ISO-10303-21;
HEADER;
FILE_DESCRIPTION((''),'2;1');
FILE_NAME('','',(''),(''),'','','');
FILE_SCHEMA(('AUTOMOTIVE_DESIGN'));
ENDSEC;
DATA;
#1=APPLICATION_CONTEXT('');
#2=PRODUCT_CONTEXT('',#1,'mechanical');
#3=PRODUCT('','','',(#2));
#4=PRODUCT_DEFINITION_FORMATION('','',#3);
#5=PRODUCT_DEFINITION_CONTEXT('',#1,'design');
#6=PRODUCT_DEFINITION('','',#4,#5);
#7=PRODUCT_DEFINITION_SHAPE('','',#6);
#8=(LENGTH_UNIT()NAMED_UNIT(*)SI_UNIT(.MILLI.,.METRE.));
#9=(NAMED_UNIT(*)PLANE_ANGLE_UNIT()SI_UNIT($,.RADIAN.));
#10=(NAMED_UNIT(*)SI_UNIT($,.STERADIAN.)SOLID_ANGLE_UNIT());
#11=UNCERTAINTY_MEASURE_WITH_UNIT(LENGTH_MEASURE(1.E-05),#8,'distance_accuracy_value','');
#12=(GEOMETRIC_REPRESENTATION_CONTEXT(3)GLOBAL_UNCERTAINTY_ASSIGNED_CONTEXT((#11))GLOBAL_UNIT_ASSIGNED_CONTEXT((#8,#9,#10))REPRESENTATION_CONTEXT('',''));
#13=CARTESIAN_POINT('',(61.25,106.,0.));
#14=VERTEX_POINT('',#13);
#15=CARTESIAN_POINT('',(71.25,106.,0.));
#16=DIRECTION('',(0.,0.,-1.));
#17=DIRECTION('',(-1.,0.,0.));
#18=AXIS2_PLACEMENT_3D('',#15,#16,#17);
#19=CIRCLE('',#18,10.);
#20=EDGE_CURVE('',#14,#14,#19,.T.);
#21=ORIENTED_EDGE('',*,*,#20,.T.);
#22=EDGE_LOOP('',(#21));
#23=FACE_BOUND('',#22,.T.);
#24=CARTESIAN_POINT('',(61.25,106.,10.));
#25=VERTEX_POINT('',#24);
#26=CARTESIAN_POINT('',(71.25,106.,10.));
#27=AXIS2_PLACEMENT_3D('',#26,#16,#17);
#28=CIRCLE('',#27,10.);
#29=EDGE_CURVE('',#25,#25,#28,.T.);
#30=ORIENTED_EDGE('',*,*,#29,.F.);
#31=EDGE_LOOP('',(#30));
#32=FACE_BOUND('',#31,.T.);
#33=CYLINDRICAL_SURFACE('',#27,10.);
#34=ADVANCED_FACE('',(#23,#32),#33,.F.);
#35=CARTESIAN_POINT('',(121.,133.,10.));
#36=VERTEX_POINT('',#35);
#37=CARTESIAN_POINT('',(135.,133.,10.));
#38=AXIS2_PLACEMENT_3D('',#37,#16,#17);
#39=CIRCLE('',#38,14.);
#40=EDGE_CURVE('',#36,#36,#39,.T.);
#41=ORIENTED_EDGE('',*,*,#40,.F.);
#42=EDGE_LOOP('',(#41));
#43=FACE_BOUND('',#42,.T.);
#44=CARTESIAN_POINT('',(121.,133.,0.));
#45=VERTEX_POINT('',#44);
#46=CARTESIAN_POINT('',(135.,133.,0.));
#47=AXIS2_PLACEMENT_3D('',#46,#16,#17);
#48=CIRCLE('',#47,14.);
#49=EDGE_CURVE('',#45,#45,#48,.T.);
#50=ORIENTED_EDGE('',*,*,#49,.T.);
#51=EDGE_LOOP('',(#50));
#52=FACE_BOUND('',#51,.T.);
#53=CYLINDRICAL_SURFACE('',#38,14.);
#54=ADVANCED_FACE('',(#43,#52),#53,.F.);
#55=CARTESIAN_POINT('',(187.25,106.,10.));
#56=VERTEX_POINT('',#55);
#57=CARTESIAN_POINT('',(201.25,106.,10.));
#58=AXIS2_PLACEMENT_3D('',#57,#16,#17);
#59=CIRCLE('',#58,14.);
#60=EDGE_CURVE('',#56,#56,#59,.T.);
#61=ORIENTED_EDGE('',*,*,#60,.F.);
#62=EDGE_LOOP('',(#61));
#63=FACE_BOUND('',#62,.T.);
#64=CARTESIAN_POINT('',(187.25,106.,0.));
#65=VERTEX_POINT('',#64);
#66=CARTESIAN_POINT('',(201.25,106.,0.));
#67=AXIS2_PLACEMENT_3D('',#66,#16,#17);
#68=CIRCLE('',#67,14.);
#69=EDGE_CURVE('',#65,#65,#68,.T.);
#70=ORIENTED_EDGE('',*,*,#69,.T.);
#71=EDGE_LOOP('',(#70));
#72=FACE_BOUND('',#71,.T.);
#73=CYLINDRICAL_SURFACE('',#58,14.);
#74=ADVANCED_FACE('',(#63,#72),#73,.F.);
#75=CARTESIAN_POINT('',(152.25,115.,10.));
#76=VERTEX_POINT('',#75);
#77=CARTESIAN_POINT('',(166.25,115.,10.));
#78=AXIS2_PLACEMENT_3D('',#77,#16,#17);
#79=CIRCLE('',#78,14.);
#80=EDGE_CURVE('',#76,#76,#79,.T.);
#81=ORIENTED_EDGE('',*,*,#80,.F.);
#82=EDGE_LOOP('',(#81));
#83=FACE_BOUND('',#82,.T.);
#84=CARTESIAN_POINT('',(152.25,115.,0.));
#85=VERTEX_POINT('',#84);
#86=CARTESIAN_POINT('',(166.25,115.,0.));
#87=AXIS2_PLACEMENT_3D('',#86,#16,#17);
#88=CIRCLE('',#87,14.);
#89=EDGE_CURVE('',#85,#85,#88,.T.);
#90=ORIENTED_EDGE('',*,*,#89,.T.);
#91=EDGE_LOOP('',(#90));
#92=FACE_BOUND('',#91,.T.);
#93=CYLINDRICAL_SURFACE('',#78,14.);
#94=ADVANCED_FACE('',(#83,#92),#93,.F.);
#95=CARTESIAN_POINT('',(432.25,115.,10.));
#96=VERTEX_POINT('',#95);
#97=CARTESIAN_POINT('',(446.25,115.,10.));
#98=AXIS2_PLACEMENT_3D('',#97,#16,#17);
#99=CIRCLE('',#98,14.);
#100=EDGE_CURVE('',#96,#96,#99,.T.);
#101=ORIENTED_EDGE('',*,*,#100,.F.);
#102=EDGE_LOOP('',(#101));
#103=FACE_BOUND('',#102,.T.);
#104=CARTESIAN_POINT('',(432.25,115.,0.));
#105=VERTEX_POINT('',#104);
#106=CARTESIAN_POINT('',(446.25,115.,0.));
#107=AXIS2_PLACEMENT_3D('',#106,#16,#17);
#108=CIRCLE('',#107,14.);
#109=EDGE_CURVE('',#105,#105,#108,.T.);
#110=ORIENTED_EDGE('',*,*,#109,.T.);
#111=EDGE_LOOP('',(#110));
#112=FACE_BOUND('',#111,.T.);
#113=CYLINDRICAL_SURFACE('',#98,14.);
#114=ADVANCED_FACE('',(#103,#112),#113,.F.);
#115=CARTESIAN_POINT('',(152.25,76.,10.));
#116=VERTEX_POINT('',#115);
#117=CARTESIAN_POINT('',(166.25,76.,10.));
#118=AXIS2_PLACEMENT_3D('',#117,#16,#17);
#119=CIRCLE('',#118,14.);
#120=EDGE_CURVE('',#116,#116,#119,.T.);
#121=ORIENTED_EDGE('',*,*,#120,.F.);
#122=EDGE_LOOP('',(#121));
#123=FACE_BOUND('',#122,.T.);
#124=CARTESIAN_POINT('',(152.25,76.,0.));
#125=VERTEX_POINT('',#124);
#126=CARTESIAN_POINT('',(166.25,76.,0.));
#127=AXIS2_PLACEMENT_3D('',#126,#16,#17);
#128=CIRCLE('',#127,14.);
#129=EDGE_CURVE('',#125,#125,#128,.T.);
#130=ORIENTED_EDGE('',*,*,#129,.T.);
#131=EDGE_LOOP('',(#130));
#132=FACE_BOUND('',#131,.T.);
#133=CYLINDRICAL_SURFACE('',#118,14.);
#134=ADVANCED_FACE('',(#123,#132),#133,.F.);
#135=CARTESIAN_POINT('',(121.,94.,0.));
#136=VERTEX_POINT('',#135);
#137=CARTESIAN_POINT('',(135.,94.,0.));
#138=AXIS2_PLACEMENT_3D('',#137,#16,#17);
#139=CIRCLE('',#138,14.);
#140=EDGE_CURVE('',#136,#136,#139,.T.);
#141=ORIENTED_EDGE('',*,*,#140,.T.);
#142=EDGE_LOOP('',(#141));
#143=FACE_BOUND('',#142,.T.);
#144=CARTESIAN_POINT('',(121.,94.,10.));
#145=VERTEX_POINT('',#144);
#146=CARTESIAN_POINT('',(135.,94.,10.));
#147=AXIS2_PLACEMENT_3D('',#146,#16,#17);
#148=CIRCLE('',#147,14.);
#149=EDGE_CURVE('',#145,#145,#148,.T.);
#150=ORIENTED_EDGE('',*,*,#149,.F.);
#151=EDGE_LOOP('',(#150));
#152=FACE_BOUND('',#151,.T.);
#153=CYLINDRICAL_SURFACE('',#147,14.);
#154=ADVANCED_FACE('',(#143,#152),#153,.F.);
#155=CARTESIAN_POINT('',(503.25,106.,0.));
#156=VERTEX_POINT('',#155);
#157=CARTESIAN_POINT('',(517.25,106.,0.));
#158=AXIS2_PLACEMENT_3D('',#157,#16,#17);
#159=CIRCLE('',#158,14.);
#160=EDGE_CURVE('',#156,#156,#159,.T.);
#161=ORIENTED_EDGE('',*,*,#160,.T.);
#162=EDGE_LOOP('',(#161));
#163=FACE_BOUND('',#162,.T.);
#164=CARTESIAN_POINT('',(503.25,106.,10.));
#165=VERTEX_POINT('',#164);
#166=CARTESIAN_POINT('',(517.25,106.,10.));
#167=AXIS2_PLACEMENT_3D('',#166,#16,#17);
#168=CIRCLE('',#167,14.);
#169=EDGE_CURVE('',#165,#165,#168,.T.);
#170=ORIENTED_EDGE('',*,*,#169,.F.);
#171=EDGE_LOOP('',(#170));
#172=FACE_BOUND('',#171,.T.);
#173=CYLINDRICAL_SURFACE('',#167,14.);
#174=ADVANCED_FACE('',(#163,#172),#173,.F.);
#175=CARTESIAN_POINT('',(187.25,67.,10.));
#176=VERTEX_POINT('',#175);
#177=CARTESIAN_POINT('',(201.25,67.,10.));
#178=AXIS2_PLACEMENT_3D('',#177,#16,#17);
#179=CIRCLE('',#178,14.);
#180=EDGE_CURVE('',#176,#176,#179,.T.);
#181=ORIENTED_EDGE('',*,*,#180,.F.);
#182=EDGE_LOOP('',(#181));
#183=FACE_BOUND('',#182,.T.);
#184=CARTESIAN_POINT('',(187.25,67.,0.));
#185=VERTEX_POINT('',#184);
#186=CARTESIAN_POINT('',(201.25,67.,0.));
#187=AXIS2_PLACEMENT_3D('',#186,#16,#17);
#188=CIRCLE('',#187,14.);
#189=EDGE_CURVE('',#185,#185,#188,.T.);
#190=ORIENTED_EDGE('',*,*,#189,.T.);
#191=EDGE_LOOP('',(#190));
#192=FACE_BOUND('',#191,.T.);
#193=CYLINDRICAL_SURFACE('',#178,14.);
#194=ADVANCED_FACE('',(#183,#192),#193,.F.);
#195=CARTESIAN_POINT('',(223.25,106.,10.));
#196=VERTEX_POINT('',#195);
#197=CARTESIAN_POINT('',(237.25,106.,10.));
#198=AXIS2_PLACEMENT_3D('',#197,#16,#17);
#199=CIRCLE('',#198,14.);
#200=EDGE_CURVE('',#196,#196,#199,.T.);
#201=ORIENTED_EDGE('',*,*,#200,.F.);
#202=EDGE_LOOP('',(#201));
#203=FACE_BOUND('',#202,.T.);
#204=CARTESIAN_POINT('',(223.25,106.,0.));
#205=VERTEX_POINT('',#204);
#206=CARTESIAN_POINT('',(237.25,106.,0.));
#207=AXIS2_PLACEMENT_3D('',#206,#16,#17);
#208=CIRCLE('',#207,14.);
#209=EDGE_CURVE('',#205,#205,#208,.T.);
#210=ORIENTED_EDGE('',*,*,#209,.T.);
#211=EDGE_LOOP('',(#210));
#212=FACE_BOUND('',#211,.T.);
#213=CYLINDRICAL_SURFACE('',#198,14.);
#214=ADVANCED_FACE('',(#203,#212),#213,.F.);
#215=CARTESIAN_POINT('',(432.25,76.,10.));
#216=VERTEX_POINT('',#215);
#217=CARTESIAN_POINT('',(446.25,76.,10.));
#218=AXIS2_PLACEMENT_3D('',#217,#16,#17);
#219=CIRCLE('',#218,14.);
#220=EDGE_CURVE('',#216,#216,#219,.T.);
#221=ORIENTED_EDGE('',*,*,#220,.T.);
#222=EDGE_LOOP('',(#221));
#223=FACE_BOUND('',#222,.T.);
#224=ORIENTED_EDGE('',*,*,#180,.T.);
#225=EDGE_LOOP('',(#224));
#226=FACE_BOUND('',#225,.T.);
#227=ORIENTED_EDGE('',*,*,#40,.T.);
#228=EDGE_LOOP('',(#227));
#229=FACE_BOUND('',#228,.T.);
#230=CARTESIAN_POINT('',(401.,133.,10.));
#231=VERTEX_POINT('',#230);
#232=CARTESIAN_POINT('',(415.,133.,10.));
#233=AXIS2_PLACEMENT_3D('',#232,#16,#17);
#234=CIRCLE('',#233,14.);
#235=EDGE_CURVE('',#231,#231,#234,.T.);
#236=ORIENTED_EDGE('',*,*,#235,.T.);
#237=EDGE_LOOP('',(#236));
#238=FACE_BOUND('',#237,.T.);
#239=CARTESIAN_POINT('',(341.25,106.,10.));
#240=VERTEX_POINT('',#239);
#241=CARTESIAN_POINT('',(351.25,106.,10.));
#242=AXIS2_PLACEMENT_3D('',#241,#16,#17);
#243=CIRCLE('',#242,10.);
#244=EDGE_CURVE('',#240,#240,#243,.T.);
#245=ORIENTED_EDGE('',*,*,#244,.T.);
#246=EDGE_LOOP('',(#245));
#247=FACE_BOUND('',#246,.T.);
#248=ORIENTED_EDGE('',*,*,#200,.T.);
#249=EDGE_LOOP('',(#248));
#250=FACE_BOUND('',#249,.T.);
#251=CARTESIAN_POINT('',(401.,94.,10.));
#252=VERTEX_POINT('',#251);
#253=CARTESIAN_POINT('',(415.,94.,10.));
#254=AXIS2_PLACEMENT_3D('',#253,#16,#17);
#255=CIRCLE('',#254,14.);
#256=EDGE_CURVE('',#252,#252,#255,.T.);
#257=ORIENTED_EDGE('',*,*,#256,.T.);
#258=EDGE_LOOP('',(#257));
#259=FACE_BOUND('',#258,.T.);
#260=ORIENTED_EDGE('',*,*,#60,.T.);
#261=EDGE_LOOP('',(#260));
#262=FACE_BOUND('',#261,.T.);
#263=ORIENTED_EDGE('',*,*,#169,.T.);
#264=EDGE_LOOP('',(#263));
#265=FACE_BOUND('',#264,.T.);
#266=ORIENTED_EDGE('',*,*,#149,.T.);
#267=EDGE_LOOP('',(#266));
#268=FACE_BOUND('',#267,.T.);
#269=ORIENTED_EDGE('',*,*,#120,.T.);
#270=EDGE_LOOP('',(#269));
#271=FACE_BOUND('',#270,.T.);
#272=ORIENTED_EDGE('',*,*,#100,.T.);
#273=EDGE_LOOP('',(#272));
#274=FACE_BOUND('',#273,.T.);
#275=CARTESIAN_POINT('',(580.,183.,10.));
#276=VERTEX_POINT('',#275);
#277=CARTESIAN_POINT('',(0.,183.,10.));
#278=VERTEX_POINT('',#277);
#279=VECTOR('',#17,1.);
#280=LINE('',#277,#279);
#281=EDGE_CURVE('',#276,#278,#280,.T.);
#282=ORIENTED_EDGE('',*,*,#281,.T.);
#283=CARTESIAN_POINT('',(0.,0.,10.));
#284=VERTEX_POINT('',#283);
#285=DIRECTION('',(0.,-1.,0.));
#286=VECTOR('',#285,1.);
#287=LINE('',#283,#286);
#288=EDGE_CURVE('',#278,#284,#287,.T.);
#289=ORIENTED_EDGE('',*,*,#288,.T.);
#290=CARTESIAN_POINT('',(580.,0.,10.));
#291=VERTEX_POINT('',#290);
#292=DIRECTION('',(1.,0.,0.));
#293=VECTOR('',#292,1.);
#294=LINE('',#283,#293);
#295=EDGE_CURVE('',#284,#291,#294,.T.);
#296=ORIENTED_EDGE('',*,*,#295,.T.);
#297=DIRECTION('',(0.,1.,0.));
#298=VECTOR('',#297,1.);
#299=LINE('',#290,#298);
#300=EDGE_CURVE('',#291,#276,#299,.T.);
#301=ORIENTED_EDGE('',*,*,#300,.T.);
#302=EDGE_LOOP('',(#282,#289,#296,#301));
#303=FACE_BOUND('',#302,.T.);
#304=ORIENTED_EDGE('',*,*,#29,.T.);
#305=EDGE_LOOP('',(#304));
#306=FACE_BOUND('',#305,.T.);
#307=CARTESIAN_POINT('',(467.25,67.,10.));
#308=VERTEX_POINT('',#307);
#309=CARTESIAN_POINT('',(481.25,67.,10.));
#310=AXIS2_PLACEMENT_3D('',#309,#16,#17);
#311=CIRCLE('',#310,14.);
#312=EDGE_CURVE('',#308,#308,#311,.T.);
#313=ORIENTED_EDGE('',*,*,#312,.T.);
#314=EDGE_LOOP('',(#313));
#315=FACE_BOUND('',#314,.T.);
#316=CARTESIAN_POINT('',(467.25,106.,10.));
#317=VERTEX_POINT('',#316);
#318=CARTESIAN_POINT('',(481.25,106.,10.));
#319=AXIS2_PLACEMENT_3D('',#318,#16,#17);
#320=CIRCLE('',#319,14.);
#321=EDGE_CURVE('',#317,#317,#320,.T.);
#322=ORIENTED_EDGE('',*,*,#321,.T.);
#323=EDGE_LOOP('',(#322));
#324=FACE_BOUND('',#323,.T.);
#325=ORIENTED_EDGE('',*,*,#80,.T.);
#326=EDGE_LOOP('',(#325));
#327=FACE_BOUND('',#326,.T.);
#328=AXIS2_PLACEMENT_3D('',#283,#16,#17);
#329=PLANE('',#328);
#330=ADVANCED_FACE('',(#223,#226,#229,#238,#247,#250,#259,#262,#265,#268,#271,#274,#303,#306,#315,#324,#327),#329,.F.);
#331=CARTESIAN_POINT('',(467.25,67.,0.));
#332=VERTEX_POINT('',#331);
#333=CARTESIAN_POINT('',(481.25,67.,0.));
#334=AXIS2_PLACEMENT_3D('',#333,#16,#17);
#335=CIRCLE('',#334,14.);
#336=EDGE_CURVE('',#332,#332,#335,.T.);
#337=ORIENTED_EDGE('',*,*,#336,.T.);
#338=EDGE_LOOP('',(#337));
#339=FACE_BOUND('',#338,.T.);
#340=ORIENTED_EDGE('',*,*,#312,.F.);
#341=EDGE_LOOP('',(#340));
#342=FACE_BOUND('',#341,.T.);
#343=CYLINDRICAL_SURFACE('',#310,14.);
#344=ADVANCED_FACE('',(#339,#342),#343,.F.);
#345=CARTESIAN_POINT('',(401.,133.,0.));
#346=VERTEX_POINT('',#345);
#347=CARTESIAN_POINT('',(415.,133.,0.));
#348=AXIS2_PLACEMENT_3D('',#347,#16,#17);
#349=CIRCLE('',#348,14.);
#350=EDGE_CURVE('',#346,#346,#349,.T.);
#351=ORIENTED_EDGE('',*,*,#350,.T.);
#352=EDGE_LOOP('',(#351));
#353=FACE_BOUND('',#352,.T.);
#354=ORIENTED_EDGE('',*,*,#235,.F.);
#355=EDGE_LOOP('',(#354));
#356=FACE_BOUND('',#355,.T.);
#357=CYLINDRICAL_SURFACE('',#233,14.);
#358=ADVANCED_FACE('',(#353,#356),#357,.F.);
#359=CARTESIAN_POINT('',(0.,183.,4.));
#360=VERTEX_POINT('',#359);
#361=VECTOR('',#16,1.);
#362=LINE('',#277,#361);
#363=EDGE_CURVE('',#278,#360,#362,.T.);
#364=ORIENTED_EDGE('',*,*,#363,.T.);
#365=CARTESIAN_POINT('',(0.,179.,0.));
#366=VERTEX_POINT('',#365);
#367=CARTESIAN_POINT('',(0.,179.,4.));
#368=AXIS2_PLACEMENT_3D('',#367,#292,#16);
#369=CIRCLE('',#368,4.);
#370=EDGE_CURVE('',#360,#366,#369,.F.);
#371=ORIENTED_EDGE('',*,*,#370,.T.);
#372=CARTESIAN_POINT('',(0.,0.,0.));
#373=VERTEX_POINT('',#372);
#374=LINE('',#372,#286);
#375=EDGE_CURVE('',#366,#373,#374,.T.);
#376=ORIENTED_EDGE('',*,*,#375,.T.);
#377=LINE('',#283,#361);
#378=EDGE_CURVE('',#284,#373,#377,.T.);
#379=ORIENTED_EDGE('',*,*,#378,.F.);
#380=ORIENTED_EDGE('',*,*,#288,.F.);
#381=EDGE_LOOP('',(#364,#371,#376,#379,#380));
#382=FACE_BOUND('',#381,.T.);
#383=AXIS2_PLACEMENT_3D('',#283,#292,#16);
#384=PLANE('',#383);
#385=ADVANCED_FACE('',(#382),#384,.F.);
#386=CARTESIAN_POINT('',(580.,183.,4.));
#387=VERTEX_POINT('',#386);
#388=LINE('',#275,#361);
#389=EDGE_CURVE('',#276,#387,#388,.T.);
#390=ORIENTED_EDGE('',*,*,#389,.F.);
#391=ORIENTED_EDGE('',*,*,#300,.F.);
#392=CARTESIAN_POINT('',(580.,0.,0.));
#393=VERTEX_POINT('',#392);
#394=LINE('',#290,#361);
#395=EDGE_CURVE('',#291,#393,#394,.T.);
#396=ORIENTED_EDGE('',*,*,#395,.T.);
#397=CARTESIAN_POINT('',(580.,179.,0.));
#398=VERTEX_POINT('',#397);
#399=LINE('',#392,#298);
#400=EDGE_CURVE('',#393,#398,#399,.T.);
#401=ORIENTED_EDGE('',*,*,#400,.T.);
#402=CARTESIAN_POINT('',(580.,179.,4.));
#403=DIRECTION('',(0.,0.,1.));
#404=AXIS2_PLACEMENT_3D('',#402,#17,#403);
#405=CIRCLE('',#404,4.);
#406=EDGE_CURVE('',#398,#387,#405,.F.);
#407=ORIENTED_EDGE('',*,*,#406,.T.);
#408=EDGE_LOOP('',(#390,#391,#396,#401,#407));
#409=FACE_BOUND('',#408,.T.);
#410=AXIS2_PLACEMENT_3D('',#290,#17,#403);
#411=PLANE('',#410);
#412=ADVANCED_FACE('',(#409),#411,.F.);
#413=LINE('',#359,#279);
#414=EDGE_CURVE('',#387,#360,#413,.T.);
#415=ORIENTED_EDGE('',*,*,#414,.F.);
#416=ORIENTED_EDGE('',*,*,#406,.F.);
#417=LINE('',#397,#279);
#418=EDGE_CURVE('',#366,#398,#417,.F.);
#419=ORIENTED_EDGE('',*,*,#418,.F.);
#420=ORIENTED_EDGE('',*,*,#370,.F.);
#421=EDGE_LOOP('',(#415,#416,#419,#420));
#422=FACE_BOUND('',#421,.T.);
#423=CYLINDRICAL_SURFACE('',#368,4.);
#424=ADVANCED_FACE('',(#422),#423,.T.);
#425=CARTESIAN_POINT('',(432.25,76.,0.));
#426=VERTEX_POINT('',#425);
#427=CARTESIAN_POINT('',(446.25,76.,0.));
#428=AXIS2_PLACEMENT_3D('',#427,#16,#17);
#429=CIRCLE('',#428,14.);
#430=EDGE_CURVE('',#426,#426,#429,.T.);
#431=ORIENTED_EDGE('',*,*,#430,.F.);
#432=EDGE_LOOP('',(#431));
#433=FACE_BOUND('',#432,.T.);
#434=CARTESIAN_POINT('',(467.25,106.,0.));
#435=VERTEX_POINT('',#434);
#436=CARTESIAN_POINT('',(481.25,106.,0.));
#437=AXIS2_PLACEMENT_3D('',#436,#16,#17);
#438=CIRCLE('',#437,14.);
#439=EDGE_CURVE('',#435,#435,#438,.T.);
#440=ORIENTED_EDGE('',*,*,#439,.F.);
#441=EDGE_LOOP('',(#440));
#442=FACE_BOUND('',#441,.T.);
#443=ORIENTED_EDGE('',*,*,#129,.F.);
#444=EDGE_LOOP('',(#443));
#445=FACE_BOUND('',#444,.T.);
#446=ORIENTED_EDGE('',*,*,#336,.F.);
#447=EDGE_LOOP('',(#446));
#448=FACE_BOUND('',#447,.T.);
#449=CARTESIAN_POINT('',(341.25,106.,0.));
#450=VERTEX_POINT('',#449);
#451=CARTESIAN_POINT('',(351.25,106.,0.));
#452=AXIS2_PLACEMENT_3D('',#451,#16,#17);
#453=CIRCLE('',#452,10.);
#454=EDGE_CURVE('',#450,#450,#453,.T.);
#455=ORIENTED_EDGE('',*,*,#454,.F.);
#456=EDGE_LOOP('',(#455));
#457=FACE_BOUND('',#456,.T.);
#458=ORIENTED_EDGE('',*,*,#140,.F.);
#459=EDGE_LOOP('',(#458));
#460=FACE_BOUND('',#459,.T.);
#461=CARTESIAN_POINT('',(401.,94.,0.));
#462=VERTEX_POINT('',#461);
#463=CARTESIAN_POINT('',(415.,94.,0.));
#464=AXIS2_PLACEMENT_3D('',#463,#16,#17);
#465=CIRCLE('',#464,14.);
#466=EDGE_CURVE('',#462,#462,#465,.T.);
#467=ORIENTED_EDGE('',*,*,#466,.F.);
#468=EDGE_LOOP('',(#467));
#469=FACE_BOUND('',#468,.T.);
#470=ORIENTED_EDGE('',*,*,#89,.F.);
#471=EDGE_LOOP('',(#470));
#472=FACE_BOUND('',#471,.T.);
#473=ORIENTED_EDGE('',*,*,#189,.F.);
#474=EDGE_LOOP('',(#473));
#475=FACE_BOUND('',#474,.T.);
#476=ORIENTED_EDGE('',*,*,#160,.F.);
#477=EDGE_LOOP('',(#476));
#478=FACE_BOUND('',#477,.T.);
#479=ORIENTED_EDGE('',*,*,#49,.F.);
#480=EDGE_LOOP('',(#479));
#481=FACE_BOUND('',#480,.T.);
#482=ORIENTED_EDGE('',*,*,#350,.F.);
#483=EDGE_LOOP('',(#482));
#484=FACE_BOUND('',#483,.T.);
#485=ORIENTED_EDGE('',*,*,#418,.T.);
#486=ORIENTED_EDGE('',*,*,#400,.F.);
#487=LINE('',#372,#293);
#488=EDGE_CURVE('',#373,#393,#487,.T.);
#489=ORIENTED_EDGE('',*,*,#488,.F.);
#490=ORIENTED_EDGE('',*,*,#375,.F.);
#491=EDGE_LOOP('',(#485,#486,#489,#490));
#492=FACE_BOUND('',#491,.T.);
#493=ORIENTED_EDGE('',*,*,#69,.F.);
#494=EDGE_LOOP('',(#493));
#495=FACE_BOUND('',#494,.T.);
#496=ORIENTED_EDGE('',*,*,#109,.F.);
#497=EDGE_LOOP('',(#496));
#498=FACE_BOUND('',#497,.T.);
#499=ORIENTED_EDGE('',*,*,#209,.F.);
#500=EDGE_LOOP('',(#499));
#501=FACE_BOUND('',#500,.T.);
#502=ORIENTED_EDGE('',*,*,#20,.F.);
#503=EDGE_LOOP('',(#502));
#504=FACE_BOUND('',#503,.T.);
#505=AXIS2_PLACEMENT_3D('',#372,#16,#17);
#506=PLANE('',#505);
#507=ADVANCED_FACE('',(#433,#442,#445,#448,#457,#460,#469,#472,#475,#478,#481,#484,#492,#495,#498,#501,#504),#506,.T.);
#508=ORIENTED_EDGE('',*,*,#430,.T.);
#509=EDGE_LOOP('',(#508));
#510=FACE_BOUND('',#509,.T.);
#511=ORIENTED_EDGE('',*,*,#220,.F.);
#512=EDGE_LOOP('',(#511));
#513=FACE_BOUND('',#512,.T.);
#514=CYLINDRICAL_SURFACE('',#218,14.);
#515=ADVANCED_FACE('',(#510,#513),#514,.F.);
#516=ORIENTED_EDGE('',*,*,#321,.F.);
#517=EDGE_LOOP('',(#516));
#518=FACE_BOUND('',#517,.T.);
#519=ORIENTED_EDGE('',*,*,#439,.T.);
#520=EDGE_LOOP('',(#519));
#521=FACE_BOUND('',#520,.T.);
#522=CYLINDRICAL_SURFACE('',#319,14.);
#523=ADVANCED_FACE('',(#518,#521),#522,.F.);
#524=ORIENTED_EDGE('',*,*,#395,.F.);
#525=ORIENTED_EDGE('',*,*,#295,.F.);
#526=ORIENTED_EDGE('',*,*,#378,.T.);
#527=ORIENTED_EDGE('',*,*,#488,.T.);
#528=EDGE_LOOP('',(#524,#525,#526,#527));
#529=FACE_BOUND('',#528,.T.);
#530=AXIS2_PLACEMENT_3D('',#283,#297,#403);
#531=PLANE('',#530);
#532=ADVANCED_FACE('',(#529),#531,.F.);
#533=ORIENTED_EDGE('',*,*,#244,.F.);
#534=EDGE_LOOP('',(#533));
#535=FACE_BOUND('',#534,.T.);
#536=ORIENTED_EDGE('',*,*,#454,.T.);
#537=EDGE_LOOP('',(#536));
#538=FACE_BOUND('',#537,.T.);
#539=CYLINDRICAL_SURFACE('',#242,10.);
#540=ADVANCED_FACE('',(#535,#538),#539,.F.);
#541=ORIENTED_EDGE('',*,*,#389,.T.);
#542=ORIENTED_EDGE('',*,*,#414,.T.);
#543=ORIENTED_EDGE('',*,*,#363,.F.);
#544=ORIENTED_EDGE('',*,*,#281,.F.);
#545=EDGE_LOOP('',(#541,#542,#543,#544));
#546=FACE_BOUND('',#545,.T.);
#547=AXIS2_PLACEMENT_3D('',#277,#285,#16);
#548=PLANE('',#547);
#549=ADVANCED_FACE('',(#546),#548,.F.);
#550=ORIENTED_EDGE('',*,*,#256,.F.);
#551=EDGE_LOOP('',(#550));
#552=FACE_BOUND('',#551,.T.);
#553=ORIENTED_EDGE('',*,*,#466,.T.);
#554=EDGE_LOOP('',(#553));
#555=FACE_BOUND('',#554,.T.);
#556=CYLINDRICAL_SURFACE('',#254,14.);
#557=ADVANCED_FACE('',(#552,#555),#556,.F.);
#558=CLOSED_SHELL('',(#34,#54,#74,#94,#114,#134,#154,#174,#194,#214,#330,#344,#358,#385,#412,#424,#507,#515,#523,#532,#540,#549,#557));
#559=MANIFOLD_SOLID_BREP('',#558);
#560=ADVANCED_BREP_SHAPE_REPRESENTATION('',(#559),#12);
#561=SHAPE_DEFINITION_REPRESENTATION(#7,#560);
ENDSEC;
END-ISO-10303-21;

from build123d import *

# Parameters (mm, degrees)
ESQUISSE1_W                = 580
ESQUISSE1_H                = 183
BOSS_EXTRU_1_DEPTH         = 10
ESQUISSE3_R                = 14
ESQUISSE3_R_2              = 10
ENL_V_MAT_EXTRU_1_DEPTH    = 10
R_P_TITION_LIN_AIRE1_COUNT = 2
R_P_TITION_LIN_AIRE1_PITCH = 280
CONG_1_R                   = 4


with BuildPart() as part:
    # Esquisse1 → Boss.-Extru.1 (new body)
    with BuildSketch(Plane.XY):
        with Locations((290, 91.5)):
            Rectangle(ESQUISSE1_W, ESQUISSE1_H)
    extrude(amount=BOSS_EXTRU_1_DEPTH)

    # Esquisse3 → Enlèv. mat.-Extru.1 (cut)
    with BuildSketch(Plane(origin=(0, 0, 0), x_dir=(-1, 0, 0), z_dir=(0, 0, -1))):
        with Locations((-201.25, 67)):
            Circle(ESQUISSE3_R)
        with Locations((-71.25, 106)):
            Circle(ESQUISSE3_R_2)
        with Locations((-166.25, 76)):
            Circle(ESQUISSE3_R)
        with Locations((-135, 94)):
            Circle(ESQUISSE3_R)
        with Locations((-237.25, 106)):
            Circle(ESQUISSE3_R)
        with Locations((-201.25, 106)):
            Circle(ESQUISSE3_R)
        with Locations((-166.25, 115)):
            Circle(ESQUISSE3_R)
        with Locations((-135, 133)):
            Circle(ESQUISSE3_R)
    enl_v_mat_extru_1 = extrude(amount=-ENL_V_MAT_EXTRU_1_DEPTH, mode=Mode.SUBTRACT)

    # Répétition linéaire1: Enlèv. mat.-Extru.1 ×2
    with Locations(*[(i * R_P_TITION_LIN_AIRE1_PITCH, 0, 0) for i in range(1, R_P_TITION_LIN_AIRE1_COUNT)]):
        add(enl_v_mat_extru_1, mode=Mode.SUBTRACT)

    # Congé1
    cong_1_edges = [part.edges().sort_by_distance(p)[0] for p in [
        (290, 183, 0),
    ]]
    fillet(cong_1_edges, radius=CONG_1_R)


solid = part.part
